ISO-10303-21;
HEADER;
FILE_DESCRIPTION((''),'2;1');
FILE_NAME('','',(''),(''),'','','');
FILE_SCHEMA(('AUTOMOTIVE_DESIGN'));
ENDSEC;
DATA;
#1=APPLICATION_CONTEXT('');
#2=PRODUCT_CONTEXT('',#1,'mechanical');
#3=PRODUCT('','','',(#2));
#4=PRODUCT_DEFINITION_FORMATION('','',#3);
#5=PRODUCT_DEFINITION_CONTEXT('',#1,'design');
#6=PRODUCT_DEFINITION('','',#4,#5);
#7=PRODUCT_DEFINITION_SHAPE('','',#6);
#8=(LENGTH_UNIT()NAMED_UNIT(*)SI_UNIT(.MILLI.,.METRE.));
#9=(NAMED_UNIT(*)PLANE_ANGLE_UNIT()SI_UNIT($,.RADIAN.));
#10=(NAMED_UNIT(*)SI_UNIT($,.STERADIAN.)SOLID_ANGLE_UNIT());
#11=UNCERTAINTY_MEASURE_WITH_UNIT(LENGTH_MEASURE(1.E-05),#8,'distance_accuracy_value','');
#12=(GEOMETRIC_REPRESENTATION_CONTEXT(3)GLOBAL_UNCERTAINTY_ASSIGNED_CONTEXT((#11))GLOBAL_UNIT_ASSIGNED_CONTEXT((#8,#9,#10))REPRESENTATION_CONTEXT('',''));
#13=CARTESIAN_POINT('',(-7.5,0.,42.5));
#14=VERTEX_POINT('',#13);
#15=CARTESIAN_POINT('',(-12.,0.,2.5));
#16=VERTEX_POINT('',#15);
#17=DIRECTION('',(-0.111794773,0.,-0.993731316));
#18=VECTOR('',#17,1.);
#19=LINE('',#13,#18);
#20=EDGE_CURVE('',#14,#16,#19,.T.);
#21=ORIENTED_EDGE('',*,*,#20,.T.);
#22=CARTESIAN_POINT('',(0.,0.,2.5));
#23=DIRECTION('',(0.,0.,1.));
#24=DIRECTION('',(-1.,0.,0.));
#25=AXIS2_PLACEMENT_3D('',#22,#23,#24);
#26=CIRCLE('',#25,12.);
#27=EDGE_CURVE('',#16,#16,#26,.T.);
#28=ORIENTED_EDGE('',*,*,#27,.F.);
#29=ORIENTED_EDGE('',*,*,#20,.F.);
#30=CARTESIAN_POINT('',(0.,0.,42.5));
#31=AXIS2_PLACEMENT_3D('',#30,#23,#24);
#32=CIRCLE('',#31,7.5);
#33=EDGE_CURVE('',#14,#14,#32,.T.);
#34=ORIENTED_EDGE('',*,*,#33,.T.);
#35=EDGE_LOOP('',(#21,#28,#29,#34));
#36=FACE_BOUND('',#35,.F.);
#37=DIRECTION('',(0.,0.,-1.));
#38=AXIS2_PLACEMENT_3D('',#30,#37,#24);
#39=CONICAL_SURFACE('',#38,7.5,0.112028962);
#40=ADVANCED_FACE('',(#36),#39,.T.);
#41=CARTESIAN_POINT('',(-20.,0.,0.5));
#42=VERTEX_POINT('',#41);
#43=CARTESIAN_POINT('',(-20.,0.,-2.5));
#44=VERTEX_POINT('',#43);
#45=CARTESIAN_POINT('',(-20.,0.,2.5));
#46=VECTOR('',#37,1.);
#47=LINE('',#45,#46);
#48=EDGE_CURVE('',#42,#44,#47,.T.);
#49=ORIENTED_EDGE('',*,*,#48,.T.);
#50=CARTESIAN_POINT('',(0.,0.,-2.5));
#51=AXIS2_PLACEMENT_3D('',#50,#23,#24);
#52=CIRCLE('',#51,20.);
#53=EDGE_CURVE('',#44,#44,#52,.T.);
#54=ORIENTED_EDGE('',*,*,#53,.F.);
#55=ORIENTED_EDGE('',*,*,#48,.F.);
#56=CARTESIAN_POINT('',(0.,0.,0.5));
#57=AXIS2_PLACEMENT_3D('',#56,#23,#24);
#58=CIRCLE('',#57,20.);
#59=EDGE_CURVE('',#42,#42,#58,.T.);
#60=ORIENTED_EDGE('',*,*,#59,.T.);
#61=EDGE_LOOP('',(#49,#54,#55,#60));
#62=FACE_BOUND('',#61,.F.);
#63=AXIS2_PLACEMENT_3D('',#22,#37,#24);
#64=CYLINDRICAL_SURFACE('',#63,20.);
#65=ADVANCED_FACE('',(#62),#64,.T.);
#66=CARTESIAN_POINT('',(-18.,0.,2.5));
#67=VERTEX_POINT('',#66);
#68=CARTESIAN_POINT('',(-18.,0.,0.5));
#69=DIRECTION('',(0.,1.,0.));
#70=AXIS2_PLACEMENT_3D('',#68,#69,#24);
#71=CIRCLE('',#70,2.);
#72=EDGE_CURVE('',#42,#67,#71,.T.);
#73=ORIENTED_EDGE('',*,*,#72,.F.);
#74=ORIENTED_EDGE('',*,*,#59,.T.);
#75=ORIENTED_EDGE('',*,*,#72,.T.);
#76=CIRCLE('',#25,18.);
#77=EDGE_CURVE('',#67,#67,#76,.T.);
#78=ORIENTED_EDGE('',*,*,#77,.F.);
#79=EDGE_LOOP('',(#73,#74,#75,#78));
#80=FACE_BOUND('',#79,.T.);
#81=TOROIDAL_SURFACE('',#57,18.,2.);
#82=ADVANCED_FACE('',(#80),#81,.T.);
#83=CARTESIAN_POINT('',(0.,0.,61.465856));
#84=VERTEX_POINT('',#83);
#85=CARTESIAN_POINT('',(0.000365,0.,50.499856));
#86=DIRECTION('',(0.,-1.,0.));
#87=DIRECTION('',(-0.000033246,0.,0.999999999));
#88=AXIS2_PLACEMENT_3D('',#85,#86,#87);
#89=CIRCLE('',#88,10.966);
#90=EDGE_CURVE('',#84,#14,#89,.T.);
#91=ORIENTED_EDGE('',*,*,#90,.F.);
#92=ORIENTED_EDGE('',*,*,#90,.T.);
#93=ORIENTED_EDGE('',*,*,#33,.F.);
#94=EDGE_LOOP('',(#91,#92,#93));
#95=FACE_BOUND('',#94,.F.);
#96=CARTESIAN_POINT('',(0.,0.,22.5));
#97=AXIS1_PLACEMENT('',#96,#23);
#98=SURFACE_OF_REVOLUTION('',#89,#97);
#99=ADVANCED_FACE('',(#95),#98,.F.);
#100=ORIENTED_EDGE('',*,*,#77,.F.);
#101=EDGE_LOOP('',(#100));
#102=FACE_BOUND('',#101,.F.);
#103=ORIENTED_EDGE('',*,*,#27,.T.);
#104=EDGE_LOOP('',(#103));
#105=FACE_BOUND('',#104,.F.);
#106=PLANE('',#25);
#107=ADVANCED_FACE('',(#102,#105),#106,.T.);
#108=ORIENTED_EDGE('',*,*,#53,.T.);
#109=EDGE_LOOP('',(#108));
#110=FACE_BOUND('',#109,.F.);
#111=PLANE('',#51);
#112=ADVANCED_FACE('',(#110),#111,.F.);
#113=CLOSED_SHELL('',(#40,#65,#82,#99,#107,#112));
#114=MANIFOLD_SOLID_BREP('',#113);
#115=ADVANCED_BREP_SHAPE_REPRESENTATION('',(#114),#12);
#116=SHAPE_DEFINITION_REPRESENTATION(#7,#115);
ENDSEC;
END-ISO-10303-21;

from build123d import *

# Parameters (mm, degrees)
F2_R = 2


with BuildPart() as f1:
    # F0 (on Front) → F1 (revolve)
    with BuildSketch(Plane.XZ):
        with BuildLine():
            Line((-20, 2.5), (-20, -2.5))
            Line((-20, -2.5), (0, -2.5))
            Line((0, -2.5), (0, 61.465856))
            ThreePointArc((0, 61.465856), (-10.197241, 54.532473), (-7.5, 42.5))
            Line((-7.5, 42.5), (-12, 2.5))
            Line((-12, 2.5), (-20, 2.5))
        make_face()
    revolve(axis=Axis((0, 0, 22.5), (0, 0, 1)))

    # F2
    f2_edges = [f1.edges().sort_by_distance(p)[0] for p in [
        (20, 0, 2.5),
    ]]
    fillet(f2_edges, radius=F2_R)


solid = f1.part
